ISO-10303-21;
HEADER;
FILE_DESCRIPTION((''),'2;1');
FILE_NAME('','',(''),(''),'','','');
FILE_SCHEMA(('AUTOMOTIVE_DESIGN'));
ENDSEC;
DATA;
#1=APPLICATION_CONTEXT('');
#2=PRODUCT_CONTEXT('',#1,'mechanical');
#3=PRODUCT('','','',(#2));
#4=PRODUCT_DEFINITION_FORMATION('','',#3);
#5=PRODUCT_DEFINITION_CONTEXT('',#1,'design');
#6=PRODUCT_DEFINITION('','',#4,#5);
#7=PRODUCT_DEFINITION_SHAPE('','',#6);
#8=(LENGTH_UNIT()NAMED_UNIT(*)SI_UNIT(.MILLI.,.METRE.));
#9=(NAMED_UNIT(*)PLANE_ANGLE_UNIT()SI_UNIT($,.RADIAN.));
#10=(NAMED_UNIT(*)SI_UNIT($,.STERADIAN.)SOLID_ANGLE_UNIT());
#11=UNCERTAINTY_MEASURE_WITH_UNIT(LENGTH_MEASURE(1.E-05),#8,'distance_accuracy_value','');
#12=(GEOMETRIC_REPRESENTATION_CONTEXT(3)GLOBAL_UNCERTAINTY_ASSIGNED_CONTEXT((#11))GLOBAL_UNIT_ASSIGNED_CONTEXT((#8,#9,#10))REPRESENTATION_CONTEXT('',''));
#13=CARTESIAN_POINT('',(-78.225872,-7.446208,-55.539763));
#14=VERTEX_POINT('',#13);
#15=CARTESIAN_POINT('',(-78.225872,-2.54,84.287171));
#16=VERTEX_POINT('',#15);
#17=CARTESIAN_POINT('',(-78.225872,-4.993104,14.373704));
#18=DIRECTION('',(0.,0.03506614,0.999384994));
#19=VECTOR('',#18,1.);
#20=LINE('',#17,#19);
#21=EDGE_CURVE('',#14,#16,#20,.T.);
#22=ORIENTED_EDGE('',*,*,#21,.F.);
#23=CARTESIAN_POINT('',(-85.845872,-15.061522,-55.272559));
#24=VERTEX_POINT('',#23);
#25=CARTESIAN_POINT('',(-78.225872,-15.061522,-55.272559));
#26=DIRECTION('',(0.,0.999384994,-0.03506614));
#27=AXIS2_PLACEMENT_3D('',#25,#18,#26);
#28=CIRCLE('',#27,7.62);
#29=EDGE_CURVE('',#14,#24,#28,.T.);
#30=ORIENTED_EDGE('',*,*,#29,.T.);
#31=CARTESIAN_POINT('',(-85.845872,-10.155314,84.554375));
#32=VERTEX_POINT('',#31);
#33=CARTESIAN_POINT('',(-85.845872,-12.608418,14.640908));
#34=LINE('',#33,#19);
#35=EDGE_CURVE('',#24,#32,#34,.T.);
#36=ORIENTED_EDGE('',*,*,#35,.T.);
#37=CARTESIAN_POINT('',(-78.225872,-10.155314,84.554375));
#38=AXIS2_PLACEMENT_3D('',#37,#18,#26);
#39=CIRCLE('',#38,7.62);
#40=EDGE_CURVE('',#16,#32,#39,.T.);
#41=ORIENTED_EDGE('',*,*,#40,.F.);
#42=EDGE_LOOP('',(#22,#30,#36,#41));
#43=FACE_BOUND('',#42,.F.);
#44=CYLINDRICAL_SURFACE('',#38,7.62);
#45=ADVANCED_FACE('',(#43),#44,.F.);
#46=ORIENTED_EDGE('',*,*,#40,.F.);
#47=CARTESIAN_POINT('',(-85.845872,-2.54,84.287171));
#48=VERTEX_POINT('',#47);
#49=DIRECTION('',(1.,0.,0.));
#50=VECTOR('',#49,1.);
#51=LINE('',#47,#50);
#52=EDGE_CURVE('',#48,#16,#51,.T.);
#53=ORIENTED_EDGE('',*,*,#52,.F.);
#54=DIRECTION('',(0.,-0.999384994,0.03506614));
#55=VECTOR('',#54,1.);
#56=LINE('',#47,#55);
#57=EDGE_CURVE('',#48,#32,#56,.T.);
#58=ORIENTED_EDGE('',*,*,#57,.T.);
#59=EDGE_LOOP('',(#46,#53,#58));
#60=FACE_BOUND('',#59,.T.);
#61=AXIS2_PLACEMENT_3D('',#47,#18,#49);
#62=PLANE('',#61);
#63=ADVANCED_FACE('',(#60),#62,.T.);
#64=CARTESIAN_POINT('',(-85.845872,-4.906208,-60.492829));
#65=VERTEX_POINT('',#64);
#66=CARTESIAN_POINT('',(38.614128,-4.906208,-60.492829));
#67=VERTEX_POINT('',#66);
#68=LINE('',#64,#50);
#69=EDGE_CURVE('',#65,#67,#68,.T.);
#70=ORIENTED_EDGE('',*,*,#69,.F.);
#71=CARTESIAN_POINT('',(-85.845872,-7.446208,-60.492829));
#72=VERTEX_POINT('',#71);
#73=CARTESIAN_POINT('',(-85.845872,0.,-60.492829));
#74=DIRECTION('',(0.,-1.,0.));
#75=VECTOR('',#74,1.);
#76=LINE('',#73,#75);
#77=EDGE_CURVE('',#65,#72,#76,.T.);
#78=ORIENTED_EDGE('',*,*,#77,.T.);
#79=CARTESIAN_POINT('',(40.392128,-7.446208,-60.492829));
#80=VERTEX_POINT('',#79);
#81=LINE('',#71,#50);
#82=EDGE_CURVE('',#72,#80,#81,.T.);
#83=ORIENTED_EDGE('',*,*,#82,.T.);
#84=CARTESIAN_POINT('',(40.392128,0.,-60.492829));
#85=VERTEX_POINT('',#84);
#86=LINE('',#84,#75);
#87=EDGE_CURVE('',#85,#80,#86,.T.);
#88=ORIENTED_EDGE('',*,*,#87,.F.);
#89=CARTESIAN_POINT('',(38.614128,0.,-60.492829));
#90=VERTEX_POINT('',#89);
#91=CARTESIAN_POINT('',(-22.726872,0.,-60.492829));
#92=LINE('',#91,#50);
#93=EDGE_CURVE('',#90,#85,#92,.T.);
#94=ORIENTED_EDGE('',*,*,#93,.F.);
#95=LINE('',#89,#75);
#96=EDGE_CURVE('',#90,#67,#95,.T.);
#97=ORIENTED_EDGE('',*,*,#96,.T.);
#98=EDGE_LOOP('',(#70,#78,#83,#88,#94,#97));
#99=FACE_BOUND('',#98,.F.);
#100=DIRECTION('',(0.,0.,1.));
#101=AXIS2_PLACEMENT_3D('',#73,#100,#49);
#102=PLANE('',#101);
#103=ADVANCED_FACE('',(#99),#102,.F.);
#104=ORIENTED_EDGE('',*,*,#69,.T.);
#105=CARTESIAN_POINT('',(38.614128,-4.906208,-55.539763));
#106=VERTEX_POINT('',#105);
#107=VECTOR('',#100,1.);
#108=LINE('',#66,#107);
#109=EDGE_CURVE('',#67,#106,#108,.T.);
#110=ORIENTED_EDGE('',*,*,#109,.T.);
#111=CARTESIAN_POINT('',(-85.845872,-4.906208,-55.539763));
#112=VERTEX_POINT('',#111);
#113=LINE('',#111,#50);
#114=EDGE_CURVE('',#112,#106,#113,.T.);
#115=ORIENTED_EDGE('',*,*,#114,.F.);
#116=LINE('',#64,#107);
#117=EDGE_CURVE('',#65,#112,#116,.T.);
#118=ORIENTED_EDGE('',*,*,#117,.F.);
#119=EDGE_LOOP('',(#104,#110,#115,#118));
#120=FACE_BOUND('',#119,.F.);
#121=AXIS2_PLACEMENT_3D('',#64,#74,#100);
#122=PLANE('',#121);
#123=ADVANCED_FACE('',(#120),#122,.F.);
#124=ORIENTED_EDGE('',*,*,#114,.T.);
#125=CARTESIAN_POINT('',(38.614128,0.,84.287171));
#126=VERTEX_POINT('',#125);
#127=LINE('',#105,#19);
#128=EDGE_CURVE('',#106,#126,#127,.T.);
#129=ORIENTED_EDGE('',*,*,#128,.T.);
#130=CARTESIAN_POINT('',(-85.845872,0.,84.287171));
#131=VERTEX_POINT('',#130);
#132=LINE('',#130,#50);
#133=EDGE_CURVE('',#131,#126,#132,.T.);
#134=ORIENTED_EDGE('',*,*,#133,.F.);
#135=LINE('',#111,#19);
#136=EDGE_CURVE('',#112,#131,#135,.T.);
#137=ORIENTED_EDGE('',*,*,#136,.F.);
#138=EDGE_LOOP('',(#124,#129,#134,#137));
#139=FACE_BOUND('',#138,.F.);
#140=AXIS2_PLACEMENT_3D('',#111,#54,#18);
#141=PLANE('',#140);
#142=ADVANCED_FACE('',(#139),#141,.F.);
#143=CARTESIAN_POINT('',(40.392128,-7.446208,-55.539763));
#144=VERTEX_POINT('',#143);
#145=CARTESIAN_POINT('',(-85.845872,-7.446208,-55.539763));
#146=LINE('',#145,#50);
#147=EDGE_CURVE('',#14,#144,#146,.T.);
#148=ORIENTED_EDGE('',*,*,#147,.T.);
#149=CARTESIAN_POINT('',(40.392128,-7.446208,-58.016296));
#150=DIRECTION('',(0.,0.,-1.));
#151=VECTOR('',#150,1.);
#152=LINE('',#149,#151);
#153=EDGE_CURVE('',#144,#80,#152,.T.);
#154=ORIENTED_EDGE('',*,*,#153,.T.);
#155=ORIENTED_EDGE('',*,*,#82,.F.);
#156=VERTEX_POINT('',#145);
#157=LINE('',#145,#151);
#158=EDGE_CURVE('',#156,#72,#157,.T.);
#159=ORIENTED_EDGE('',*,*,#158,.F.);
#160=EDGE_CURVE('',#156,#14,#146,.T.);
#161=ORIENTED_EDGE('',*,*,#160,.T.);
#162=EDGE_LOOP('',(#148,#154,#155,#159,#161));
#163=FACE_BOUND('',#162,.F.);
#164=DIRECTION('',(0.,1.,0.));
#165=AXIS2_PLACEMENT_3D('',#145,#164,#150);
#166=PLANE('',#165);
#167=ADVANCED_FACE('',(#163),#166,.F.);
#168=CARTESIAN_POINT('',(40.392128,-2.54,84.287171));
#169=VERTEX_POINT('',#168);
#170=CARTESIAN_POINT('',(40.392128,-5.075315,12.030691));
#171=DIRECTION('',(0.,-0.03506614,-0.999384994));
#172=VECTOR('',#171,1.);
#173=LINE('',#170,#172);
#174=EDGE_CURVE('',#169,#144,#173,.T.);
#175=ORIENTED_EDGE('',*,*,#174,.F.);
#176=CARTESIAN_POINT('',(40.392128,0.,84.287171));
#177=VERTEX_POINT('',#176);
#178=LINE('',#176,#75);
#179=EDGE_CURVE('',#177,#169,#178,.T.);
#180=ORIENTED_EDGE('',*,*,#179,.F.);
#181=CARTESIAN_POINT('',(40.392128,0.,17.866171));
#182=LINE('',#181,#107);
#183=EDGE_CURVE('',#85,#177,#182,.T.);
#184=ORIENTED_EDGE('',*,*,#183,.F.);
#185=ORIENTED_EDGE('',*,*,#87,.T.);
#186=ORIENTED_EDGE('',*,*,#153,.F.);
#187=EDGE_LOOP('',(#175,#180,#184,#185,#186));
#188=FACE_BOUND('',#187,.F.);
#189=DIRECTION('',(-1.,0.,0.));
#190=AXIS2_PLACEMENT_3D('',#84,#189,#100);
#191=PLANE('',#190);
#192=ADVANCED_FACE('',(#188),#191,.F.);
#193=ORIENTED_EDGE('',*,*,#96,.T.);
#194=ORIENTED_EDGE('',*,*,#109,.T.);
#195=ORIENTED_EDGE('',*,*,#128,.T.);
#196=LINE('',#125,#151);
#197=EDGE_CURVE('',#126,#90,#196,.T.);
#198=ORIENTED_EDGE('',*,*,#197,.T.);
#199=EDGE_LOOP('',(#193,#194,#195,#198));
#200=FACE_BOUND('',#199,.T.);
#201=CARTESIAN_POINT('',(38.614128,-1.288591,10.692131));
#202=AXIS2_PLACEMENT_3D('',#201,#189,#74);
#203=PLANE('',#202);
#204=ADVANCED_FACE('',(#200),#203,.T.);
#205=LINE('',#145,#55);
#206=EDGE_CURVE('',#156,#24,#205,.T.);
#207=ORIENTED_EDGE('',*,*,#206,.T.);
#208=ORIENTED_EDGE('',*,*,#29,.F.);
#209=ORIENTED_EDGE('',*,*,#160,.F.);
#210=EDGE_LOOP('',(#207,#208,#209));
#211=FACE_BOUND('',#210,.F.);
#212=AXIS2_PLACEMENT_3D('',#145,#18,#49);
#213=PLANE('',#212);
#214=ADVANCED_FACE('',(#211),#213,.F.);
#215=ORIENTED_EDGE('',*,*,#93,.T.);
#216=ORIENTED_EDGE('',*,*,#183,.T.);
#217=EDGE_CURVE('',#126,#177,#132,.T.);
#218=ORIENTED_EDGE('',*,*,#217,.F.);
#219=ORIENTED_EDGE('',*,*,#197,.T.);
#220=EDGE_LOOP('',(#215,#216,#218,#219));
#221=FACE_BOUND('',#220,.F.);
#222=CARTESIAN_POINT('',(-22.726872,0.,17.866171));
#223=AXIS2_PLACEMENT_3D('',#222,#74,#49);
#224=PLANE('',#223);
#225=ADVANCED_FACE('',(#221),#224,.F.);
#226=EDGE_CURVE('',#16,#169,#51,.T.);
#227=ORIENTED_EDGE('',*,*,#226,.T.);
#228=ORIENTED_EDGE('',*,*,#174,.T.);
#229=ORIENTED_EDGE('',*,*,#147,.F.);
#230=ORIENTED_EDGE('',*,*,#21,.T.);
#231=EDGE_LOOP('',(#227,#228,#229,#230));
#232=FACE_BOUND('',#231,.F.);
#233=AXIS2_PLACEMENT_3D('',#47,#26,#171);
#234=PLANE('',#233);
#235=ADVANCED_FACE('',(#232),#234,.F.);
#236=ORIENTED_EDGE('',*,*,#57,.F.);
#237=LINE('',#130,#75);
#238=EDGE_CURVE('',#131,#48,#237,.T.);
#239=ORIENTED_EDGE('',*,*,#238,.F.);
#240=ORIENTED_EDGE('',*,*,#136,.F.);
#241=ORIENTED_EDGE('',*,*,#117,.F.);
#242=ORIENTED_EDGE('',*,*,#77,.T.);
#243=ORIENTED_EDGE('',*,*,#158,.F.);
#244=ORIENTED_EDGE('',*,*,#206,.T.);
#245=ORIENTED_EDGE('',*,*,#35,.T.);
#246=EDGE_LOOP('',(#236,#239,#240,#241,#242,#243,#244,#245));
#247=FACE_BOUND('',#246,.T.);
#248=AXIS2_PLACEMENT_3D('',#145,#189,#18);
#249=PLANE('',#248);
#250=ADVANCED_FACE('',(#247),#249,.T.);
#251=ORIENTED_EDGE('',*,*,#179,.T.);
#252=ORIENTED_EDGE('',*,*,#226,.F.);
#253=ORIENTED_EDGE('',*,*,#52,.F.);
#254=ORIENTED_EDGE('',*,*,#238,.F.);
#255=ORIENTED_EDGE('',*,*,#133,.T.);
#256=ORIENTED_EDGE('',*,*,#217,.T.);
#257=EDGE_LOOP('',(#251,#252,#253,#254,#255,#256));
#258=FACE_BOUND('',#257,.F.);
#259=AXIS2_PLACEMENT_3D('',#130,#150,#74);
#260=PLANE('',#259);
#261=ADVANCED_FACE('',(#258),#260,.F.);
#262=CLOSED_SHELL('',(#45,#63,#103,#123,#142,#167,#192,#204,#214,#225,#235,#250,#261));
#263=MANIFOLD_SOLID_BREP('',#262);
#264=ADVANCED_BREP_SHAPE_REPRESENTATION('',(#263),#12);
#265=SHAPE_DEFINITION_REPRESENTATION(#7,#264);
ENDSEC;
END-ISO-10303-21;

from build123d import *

# Parameters (mm, degrees)
F0_W     = 126.238
F0_H     = 156.718
F1_DEPTH = 25.4
F3_DEPTH = 124.46
F4_DEPTH = 152.4
F5_W     = 7.62
F5_H     = 139.9129815726
F6_DEPTH = 7.62
F8_DEPTH = 152.4


with BuildPart() as f1:
    # F0 (on Front) → F1 (new body)
    with BuildSketch(Plane.XZ):
        with Locations((-22.7268721203, 17.8661712823)):
            Rectangle(F0_W, F0_H)
    extrude(amount=F1_DEPTH)

    # F2 (on face) → F3 (cut)
    with BuildSketch(Plane(origin=(-85.8458721203, 0, 0), x_dir=(0, -1, 0), z_dir=(-1, 0, 0))):
        Polygon((4.9062082183, -55.539762938), (0, 84.2871712823), (0, -60.4928287177), (4.9062082183, -60.4928287177), align=None)
    extrude(amount=-F3_DEPTH, mode=Mode.SUBTRACT)

    # F2 (on face) → F4 (cut)
    with BuildSketch(Plane(origin=(-85.8458721203, 0, 0), x_dir=(0, -1, 0), z_dir=(-1, 0, 0))):
        Polygon((0, 84.2871712823), (2.54, 84.2871712823), (7.4462082183, -55.539762938), (7.4462082183, -60.4928287177), (25.4, -60.4928287177), (25.4, 96.2251712823), (0, 96.2251712823), align=None)
    extrude(amount=-F4_DEPTH, mode=Mode.SUBTRACT)

    # F5 (on face) → F6 (join)
    with BuildSketch(Plane(origin=(0, -5.4906847606, 0.1926556056), x_dir=(1, 0, 0), z_dir=(0, -0.9993849938, 0.0350661401))):
        with Locations((-82.0358721203, 14.1897753664)):
            Rectangle(F5_W, F5_H)
    extrude(amount=F6_DEPTH)

    # F7 (on face) → F8 (cut)
    with BuildSketch(Plane(origin=(0, 2.9506847606, 84.0945156767), x_dir=(1, 0, 0), z_dir=(0, 0.0350661401, 0.9993849938))):
        with BuildLine():
            Line((-78.2258721203, -13.1140636438), (-78.2258721203, -5.4940636438))
            ThreePointArc((-78.2258721203, -5.4940636438), (-83.6140257929, -7.7259099712), (-85.8458721203, -13.1140636438))
            Line((-85.8458721203, -13.1140636438), (-78.2258721203, -13.1140636438))
        make_face()
    extrude(amount=-F8_DEPTH, mode=Mode.SUBTRACT)


solid = f1.part
